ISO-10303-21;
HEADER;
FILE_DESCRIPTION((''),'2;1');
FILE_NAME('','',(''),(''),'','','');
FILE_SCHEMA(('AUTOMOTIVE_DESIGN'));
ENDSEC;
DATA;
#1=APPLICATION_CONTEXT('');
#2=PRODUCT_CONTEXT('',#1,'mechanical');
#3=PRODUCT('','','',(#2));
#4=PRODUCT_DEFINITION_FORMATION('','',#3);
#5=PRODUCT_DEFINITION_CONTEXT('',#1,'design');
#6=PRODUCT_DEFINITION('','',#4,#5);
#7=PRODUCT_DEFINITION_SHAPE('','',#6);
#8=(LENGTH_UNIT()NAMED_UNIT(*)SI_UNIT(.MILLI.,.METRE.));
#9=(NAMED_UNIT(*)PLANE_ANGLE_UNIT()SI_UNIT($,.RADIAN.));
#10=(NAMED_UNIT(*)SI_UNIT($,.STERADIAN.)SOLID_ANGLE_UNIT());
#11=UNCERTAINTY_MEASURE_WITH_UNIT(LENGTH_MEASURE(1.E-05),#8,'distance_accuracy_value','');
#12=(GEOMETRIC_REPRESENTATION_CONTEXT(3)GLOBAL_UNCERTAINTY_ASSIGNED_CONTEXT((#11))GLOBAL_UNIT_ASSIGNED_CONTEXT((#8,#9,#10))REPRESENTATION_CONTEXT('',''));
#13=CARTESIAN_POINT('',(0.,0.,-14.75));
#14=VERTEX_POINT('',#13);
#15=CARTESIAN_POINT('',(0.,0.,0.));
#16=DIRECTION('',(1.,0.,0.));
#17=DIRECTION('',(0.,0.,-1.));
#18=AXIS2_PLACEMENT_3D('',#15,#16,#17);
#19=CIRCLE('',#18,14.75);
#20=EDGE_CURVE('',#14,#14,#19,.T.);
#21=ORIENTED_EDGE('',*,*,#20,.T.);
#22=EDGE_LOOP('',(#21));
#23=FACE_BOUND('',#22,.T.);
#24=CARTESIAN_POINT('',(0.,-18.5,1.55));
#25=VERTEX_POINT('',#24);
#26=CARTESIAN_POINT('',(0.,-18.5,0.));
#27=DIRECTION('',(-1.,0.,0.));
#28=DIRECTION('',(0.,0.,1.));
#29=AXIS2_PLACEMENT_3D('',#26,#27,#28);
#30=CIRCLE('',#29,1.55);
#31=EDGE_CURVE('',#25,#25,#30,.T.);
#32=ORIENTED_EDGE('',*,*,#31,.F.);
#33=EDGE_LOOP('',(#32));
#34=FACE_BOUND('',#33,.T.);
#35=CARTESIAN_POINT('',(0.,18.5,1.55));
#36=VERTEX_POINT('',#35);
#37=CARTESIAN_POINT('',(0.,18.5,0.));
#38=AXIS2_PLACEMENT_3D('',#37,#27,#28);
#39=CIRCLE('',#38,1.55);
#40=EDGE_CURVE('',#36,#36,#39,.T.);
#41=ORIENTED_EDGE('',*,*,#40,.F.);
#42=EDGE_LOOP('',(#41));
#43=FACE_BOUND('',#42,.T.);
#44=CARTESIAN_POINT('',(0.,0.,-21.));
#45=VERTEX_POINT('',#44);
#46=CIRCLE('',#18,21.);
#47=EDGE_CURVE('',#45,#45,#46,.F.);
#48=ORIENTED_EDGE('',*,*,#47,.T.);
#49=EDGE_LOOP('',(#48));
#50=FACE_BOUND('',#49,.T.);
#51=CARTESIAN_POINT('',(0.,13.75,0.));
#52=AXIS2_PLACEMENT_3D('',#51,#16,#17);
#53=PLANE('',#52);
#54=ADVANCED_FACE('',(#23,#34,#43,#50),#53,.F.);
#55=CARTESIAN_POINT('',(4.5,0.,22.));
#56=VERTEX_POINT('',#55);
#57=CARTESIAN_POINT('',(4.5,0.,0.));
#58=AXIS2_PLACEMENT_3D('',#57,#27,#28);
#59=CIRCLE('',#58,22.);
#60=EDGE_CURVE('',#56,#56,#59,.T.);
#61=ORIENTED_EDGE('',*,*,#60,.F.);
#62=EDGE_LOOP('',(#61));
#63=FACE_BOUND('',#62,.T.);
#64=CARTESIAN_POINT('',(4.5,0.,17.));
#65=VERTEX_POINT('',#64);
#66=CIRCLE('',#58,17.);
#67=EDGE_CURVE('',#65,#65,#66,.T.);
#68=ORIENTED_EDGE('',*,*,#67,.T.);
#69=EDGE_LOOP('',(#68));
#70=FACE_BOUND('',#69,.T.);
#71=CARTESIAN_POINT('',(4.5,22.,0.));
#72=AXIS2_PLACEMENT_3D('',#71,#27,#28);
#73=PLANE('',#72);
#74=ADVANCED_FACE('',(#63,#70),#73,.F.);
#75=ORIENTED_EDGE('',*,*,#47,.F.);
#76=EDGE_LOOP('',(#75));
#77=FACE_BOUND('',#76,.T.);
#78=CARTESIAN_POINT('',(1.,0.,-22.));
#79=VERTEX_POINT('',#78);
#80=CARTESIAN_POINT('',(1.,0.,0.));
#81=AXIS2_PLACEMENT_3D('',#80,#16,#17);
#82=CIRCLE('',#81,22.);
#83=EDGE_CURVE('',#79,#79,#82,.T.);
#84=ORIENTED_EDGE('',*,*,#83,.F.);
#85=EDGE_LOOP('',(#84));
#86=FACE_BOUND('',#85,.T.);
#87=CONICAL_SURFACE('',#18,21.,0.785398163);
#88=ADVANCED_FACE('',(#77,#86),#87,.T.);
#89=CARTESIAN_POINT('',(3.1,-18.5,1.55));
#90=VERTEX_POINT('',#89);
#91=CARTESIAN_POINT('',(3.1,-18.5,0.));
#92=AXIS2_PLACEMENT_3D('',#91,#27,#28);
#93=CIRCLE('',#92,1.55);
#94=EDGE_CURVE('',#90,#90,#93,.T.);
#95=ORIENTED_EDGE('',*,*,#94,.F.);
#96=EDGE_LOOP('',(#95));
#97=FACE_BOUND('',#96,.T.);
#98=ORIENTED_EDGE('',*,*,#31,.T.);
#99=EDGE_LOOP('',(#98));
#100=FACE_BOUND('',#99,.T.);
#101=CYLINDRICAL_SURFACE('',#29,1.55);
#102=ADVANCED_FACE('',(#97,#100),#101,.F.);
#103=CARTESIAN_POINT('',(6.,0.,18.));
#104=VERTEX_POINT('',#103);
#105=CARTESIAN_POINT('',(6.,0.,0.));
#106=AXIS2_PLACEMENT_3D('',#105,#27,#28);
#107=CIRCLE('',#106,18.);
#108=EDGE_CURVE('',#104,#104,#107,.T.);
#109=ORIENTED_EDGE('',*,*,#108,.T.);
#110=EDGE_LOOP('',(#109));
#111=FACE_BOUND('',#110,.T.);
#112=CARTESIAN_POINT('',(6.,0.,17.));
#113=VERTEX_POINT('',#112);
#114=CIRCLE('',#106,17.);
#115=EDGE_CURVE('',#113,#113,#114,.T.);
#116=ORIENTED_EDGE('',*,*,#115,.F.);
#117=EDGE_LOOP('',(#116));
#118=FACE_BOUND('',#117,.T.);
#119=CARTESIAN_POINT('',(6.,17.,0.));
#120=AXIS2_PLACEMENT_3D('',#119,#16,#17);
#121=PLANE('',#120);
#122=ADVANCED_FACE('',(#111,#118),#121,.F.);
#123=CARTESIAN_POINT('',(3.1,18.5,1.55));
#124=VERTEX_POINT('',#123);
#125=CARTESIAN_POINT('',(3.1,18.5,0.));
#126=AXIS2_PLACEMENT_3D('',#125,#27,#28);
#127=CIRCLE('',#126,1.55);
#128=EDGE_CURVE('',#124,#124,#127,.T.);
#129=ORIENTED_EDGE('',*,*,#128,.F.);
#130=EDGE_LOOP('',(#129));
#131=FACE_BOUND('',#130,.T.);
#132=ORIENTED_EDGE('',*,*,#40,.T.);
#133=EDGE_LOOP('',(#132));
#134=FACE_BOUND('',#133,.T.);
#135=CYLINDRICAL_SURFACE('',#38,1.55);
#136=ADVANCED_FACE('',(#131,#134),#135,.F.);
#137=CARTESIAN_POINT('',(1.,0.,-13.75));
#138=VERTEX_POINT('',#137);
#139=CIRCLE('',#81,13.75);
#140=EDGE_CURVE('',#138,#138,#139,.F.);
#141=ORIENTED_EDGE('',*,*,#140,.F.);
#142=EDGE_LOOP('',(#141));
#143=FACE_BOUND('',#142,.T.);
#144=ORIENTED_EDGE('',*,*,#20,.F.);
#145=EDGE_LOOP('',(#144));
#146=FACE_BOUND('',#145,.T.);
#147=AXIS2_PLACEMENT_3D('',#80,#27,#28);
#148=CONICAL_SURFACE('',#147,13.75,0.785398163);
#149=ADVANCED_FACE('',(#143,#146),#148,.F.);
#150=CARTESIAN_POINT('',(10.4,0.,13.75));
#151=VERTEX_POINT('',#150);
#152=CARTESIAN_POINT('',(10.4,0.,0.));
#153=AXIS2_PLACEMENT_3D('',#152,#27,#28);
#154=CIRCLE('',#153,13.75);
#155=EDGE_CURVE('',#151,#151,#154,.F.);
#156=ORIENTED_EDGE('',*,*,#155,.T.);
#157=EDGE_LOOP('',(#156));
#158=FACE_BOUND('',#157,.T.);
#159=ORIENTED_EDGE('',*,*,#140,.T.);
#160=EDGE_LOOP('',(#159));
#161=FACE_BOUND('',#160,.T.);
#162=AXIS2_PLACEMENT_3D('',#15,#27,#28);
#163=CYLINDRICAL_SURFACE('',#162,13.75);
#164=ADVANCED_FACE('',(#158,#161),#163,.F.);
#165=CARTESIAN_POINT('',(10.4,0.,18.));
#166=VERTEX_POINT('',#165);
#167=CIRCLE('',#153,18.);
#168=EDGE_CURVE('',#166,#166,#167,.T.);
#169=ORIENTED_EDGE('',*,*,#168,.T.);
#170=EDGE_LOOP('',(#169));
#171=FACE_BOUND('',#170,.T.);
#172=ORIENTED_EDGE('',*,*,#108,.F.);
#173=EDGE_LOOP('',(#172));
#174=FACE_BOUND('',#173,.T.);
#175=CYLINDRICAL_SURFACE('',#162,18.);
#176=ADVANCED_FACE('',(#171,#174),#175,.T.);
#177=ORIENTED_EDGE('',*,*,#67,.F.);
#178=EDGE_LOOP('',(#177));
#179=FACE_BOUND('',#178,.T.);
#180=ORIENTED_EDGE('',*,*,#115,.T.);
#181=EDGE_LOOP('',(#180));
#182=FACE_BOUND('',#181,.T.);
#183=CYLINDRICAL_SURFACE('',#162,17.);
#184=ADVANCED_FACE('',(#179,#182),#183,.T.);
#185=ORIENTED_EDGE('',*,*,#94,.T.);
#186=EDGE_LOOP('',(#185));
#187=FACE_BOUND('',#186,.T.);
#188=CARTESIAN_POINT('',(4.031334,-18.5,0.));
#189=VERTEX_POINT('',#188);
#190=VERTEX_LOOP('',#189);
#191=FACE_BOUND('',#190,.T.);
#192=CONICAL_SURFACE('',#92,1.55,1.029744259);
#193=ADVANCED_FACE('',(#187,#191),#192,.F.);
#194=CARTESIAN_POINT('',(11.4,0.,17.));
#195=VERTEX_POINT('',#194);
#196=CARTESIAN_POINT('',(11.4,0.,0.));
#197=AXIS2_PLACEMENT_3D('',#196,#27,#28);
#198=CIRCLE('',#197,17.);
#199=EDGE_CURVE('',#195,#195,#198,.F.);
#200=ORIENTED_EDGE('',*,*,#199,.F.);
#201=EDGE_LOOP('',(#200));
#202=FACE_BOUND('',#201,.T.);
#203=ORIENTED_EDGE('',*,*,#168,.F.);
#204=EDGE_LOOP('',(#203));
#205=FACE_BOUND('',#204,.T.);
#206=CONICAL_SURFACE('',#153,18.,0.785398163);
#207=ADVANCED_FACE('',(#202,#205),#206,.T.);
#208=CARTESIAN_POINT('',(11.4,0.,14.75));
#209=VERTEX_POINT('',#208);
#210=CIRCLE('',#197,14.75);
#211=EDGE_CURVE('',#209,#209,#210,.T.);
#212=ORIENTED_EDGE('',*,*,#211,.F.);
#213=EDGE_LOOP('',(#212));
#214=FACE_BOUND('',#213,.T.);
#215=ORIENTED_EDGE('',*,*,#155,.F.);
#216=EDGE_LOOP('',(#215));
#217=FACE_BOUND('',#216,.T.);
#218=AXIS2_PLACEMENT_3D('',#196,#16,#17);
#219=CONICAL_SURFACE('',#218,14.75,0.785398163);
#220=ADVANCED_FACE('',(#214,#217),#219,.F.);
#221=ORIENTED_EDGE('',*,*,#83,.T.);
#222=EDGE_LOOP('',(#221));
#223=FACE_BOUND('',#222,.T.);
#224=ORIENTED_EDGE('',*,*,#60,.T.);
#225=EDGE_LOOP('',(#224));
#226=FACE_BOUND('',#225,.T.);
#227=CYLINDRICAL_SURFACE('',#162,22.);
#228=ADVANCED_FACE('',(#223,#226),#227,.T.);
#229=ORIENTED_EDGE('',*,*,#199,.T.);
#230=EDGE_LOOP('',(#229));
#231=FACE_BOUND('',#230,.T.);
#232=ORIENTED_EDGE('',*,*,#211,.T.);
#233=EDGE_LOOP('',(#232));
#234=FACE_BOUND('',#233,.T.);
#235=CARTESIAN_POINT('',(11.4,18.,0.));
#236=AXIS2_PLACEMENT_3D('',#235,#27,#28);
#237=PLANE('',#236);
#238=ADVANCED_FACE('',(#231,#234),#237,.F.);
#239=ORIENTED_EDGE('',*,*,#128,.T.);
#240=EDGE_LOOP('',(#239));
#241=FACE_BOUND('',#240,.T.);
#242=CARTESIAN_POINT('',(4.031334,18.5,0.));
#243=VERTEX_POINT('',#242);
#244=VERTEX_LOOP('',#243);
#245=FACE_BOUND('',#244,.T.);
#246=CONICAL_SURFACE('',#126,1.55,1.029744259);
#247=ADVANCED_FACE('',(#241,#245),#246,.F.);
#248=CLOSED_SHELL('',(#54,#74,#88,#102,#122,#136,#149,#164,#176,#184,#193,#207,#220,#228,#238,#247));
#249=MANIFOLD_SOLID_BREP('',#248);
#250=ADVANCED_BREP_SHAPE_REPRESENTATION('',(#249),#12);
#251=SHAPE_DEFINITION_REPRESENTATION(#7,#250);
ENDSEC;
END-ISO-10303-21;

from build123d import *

# Parameters (mm, degrees)
CHANFREIN1_SIZE = 1


with BuildPart() as part:
    # Esquisse1 → Révolution1 (revolve)
    with BuildSketch(Plane.XY, mode=Mode.PRIVATE) as r_volution1_sk:
        Polygon((0, 13.75), (0, 22), (4.5, 22), (4.5, 17), (6, 17), (6, 18), (11.4, 18), (11.4, 13.75), align=None)
    revolve(r_volution1_sk.sketch.rotate(Axis((0, 0, 0), (1, 0, 0)), 90), axis=Axis((0, 0, 0), (1, 0, 0)))

    # Chanfrein1
    chanfrein1_edges = [part.edges().sort_by_distance(p)[0] for p in [
        (11.4, 0, -13.75),
        (11.4, 0, -18),
        (0, 0, -22),
        (0, 0, -13.75),
    ]]
    chamfer(chanfrein1_edges, length=CHANFREIN1_SIZE)

    # Esquisse3 → Diamètre du perçage Ø3.1 (3.1)1 (revolve, cut)
    with BuildSketch(Plane.ZX.offset(18.5)):
        Polygon((0, 0), (0, 4.031333959), (1.55, 3.1), (1.55, 0), align=None)
    diam_tre_du_per_age_3_1_3_1_1 = revolve(axis=Axis((-6.35, 18.5, 0), (1, 0, 0)), mode=Mode.SUBTRACT)

    # Symétrie1: Diamètre du perçage Ø3.1 (3.1)1 across plane
    add(diam_tre_du_per_age_3_1_3_1_1.mirror(Plane.ZX), mode=Mode.SUBTRACT)


solid = part.part
